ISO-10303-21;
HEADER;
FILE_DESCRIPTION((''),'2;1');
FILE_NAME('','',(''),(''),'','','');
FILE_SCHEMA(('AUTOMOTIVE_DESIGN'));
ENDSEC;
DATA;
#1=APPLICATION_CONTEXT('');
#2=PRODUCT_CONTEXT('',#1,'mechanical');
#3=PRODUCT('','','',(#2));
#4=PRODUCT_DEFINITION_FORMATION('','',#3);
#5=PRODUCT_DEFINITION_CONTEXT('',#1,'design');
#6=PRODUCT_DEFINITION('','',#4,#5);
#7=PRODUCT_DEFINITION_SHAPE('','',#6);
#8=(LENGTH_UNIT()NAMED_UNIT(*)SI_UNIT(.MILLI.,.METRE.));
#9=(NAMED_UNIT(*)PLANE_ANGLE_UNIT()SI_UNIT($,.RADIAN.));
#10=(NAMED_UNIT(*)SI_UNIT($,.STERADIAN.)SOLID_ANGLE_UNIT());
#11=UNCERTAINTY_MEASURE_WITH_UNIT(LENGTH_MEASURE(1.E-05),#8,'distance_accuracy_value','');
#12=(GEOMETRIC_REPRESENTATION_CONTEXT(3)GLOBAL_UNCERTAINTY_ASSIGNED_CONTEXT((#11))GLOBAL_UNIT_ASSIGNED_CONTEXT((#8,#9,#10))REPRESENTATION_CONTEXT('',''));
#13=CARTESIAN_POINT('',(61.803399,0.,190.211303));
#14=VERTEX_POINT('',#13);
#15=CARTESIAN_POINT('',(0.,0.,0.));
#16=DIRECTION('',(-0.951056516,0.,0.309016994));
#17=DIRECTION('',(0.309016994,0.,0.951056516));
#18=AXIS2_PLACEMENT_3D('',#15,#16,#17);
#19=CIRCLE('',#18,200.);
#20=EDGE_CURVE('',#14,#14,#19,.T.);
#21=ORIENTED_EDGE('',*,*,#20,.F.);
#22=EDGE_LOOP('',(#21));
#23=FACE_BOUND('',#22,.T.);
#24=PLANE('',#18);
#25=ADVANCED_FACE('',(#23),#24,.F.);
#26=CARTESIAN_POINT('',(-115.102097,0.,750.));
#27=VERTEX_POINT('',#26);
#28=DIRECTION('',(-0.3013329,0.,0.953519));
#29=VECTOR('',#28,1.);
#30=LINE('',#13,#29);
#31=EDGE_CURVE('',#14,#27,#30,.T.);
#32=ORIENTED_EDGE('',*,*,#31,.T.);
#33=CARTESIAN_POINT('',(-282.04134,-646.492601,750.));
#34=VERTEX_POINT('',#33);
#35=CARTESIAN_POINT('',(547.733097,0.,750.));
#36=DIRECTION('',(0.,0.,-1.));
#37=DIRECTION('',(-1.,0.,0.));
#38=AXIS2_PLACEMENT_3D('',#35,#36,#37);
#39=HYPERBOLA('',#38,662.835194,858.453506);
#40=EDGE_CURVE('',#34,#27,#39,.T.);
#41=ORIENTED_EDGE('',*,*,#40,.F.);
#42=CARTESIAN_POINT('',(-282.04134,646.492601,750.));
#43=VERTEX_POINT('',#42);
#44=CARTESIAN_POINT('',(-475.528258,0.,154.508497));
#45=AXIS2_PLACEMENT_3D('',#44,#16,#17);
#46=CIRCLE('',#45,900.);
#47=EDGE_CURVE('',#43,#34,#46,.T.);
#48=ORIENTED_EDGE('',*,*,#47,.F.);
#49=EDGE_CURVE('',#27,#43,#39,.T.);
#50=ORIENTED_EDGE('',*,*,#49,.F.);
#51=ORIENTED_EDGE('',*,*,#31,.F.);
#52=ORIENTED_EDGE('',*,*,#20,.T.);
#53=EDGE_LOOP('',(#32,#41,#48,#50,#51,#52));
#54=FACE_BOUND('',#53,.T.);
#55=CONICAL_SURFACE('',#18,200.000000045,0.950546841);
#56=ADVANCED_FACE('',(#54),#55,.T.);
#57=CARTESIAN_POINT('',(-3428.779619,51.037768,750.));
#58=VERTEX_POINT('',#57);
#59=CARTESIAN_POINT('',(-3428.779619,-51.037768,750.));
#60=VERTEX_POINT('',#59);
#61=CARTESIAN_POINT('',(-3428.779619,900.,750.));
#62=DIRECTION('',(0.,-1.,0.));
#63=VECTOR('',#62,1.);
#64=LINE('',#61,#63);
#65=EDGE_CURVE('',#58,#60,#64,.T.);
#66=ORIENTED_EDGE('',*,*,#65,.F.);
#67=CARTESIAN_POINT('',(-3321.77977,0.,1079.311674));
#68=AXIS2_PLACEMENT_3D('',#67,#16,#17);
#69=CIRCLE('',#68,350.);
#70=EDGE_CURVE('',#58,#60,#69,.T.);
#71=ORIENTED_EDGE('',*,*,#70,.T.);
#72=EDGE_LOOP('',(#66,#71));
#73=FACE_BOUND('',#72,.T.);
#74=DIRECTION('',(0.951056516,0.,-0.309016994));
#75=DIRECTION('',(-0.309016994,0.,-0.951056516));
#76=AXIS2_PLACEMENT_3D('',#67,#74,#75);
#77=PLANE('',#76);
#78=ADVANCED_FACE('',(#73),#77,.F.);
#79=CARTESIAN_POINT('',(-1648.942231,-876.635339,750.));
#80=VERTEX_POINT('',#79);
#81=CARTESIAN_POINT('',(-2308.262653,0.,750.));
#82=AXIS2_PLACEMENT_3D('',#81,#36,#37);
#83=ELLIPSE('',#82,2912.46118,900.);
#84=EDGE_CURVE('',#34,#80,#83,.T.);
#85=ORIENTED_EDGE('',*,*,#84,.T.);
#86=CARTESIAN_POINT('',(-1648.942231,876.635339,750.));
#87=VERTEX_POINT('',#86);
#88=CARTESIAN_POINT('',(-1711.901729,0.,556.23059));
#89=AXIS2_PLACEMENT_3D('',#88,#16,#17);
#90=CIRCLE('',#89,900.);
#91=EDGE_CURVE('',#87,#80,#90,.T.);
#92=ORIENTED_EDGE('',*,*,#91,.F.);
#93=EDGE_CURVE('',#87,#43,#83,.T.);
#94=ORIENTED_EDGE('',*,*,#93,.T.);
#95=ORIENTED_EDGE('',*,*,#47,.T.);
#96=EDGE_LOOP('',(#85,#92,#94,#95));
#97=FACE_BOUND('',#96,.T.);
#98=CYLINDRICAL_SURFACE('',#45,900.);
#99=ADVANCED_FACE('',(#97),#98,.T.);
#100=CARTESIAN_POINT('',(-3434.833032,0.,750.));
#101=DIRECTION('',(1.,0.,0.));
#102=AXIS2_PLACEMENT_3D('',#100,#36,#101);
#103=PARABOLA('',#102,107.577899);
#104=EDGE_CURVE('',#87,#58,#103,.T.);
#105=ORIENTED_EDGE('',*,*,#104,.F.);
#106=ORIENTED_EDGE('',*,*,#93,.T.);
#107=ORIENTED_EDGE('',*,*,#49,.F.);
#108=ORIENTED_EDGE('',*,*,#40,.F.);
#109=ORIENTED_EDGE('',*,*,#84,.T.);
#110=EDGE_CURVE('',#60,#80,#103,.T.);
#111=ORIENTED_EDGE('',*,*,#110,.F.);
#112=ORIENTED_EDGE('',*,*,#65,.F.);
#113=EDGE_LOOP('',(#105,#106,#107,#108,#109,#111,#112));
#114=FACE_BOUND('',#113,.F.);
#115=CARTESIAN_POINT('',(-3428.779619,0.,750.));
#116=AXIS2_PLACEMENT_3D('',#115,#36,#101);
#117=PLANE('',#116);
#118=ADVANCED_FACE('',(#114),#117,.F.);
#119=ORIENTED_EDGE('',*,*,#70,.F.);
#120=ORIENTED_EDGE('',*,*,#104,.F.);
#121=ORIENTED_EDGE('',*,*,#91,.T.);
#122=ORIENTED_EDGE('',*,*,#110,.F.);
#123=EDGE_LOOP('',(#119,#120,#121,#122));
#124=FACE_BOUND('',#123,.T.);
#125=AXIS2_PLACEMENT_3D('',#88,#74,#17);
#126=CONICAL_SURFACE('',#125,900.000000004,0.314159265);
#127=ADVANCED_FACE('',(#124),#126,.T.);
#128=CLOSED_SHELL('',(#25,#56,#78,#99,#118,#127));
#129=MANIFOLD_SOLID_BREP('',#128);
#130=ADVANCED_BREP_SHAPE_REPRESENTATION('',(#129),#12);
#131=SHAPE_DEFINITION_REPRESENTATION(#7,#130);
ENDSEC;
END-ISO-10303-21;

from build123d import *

# Parameters (mm, degrees)
F2_W     = 3977.120765368
F2_H     = 850
F3_DEPTH = 900


with BuildPart() as f1:
    # F0 (on Front) → F1 (revolve)
    with BuildSketch(Plane.XZ):
        Polygon((-1433.7864343938, 1412.1814545405), (-3213.6238220187, 1412.1814545405), (-3321.7797700499, 1079.3116738372), (0, 0), (61.803398875, 190.211303259), (-197.4129632101, 1010.4593618531), align=None)
    revolve(axis=Axis((-1899.8411552849, 0, 617.2958110659), (-0.9510565163, 0, 0.3090169944)))

    # F2 (on Front) → F3 (cut, symmetric)
    with BuildSketch(Plane.XZ):
        with Locations((-1440.2192363951, 1175)):
            Rectangle(F2_W, F2_H)
    extrude(amount=F3_DEPTH, both=True, mode=Mode.SUBTRACT)


solid = f1.part
